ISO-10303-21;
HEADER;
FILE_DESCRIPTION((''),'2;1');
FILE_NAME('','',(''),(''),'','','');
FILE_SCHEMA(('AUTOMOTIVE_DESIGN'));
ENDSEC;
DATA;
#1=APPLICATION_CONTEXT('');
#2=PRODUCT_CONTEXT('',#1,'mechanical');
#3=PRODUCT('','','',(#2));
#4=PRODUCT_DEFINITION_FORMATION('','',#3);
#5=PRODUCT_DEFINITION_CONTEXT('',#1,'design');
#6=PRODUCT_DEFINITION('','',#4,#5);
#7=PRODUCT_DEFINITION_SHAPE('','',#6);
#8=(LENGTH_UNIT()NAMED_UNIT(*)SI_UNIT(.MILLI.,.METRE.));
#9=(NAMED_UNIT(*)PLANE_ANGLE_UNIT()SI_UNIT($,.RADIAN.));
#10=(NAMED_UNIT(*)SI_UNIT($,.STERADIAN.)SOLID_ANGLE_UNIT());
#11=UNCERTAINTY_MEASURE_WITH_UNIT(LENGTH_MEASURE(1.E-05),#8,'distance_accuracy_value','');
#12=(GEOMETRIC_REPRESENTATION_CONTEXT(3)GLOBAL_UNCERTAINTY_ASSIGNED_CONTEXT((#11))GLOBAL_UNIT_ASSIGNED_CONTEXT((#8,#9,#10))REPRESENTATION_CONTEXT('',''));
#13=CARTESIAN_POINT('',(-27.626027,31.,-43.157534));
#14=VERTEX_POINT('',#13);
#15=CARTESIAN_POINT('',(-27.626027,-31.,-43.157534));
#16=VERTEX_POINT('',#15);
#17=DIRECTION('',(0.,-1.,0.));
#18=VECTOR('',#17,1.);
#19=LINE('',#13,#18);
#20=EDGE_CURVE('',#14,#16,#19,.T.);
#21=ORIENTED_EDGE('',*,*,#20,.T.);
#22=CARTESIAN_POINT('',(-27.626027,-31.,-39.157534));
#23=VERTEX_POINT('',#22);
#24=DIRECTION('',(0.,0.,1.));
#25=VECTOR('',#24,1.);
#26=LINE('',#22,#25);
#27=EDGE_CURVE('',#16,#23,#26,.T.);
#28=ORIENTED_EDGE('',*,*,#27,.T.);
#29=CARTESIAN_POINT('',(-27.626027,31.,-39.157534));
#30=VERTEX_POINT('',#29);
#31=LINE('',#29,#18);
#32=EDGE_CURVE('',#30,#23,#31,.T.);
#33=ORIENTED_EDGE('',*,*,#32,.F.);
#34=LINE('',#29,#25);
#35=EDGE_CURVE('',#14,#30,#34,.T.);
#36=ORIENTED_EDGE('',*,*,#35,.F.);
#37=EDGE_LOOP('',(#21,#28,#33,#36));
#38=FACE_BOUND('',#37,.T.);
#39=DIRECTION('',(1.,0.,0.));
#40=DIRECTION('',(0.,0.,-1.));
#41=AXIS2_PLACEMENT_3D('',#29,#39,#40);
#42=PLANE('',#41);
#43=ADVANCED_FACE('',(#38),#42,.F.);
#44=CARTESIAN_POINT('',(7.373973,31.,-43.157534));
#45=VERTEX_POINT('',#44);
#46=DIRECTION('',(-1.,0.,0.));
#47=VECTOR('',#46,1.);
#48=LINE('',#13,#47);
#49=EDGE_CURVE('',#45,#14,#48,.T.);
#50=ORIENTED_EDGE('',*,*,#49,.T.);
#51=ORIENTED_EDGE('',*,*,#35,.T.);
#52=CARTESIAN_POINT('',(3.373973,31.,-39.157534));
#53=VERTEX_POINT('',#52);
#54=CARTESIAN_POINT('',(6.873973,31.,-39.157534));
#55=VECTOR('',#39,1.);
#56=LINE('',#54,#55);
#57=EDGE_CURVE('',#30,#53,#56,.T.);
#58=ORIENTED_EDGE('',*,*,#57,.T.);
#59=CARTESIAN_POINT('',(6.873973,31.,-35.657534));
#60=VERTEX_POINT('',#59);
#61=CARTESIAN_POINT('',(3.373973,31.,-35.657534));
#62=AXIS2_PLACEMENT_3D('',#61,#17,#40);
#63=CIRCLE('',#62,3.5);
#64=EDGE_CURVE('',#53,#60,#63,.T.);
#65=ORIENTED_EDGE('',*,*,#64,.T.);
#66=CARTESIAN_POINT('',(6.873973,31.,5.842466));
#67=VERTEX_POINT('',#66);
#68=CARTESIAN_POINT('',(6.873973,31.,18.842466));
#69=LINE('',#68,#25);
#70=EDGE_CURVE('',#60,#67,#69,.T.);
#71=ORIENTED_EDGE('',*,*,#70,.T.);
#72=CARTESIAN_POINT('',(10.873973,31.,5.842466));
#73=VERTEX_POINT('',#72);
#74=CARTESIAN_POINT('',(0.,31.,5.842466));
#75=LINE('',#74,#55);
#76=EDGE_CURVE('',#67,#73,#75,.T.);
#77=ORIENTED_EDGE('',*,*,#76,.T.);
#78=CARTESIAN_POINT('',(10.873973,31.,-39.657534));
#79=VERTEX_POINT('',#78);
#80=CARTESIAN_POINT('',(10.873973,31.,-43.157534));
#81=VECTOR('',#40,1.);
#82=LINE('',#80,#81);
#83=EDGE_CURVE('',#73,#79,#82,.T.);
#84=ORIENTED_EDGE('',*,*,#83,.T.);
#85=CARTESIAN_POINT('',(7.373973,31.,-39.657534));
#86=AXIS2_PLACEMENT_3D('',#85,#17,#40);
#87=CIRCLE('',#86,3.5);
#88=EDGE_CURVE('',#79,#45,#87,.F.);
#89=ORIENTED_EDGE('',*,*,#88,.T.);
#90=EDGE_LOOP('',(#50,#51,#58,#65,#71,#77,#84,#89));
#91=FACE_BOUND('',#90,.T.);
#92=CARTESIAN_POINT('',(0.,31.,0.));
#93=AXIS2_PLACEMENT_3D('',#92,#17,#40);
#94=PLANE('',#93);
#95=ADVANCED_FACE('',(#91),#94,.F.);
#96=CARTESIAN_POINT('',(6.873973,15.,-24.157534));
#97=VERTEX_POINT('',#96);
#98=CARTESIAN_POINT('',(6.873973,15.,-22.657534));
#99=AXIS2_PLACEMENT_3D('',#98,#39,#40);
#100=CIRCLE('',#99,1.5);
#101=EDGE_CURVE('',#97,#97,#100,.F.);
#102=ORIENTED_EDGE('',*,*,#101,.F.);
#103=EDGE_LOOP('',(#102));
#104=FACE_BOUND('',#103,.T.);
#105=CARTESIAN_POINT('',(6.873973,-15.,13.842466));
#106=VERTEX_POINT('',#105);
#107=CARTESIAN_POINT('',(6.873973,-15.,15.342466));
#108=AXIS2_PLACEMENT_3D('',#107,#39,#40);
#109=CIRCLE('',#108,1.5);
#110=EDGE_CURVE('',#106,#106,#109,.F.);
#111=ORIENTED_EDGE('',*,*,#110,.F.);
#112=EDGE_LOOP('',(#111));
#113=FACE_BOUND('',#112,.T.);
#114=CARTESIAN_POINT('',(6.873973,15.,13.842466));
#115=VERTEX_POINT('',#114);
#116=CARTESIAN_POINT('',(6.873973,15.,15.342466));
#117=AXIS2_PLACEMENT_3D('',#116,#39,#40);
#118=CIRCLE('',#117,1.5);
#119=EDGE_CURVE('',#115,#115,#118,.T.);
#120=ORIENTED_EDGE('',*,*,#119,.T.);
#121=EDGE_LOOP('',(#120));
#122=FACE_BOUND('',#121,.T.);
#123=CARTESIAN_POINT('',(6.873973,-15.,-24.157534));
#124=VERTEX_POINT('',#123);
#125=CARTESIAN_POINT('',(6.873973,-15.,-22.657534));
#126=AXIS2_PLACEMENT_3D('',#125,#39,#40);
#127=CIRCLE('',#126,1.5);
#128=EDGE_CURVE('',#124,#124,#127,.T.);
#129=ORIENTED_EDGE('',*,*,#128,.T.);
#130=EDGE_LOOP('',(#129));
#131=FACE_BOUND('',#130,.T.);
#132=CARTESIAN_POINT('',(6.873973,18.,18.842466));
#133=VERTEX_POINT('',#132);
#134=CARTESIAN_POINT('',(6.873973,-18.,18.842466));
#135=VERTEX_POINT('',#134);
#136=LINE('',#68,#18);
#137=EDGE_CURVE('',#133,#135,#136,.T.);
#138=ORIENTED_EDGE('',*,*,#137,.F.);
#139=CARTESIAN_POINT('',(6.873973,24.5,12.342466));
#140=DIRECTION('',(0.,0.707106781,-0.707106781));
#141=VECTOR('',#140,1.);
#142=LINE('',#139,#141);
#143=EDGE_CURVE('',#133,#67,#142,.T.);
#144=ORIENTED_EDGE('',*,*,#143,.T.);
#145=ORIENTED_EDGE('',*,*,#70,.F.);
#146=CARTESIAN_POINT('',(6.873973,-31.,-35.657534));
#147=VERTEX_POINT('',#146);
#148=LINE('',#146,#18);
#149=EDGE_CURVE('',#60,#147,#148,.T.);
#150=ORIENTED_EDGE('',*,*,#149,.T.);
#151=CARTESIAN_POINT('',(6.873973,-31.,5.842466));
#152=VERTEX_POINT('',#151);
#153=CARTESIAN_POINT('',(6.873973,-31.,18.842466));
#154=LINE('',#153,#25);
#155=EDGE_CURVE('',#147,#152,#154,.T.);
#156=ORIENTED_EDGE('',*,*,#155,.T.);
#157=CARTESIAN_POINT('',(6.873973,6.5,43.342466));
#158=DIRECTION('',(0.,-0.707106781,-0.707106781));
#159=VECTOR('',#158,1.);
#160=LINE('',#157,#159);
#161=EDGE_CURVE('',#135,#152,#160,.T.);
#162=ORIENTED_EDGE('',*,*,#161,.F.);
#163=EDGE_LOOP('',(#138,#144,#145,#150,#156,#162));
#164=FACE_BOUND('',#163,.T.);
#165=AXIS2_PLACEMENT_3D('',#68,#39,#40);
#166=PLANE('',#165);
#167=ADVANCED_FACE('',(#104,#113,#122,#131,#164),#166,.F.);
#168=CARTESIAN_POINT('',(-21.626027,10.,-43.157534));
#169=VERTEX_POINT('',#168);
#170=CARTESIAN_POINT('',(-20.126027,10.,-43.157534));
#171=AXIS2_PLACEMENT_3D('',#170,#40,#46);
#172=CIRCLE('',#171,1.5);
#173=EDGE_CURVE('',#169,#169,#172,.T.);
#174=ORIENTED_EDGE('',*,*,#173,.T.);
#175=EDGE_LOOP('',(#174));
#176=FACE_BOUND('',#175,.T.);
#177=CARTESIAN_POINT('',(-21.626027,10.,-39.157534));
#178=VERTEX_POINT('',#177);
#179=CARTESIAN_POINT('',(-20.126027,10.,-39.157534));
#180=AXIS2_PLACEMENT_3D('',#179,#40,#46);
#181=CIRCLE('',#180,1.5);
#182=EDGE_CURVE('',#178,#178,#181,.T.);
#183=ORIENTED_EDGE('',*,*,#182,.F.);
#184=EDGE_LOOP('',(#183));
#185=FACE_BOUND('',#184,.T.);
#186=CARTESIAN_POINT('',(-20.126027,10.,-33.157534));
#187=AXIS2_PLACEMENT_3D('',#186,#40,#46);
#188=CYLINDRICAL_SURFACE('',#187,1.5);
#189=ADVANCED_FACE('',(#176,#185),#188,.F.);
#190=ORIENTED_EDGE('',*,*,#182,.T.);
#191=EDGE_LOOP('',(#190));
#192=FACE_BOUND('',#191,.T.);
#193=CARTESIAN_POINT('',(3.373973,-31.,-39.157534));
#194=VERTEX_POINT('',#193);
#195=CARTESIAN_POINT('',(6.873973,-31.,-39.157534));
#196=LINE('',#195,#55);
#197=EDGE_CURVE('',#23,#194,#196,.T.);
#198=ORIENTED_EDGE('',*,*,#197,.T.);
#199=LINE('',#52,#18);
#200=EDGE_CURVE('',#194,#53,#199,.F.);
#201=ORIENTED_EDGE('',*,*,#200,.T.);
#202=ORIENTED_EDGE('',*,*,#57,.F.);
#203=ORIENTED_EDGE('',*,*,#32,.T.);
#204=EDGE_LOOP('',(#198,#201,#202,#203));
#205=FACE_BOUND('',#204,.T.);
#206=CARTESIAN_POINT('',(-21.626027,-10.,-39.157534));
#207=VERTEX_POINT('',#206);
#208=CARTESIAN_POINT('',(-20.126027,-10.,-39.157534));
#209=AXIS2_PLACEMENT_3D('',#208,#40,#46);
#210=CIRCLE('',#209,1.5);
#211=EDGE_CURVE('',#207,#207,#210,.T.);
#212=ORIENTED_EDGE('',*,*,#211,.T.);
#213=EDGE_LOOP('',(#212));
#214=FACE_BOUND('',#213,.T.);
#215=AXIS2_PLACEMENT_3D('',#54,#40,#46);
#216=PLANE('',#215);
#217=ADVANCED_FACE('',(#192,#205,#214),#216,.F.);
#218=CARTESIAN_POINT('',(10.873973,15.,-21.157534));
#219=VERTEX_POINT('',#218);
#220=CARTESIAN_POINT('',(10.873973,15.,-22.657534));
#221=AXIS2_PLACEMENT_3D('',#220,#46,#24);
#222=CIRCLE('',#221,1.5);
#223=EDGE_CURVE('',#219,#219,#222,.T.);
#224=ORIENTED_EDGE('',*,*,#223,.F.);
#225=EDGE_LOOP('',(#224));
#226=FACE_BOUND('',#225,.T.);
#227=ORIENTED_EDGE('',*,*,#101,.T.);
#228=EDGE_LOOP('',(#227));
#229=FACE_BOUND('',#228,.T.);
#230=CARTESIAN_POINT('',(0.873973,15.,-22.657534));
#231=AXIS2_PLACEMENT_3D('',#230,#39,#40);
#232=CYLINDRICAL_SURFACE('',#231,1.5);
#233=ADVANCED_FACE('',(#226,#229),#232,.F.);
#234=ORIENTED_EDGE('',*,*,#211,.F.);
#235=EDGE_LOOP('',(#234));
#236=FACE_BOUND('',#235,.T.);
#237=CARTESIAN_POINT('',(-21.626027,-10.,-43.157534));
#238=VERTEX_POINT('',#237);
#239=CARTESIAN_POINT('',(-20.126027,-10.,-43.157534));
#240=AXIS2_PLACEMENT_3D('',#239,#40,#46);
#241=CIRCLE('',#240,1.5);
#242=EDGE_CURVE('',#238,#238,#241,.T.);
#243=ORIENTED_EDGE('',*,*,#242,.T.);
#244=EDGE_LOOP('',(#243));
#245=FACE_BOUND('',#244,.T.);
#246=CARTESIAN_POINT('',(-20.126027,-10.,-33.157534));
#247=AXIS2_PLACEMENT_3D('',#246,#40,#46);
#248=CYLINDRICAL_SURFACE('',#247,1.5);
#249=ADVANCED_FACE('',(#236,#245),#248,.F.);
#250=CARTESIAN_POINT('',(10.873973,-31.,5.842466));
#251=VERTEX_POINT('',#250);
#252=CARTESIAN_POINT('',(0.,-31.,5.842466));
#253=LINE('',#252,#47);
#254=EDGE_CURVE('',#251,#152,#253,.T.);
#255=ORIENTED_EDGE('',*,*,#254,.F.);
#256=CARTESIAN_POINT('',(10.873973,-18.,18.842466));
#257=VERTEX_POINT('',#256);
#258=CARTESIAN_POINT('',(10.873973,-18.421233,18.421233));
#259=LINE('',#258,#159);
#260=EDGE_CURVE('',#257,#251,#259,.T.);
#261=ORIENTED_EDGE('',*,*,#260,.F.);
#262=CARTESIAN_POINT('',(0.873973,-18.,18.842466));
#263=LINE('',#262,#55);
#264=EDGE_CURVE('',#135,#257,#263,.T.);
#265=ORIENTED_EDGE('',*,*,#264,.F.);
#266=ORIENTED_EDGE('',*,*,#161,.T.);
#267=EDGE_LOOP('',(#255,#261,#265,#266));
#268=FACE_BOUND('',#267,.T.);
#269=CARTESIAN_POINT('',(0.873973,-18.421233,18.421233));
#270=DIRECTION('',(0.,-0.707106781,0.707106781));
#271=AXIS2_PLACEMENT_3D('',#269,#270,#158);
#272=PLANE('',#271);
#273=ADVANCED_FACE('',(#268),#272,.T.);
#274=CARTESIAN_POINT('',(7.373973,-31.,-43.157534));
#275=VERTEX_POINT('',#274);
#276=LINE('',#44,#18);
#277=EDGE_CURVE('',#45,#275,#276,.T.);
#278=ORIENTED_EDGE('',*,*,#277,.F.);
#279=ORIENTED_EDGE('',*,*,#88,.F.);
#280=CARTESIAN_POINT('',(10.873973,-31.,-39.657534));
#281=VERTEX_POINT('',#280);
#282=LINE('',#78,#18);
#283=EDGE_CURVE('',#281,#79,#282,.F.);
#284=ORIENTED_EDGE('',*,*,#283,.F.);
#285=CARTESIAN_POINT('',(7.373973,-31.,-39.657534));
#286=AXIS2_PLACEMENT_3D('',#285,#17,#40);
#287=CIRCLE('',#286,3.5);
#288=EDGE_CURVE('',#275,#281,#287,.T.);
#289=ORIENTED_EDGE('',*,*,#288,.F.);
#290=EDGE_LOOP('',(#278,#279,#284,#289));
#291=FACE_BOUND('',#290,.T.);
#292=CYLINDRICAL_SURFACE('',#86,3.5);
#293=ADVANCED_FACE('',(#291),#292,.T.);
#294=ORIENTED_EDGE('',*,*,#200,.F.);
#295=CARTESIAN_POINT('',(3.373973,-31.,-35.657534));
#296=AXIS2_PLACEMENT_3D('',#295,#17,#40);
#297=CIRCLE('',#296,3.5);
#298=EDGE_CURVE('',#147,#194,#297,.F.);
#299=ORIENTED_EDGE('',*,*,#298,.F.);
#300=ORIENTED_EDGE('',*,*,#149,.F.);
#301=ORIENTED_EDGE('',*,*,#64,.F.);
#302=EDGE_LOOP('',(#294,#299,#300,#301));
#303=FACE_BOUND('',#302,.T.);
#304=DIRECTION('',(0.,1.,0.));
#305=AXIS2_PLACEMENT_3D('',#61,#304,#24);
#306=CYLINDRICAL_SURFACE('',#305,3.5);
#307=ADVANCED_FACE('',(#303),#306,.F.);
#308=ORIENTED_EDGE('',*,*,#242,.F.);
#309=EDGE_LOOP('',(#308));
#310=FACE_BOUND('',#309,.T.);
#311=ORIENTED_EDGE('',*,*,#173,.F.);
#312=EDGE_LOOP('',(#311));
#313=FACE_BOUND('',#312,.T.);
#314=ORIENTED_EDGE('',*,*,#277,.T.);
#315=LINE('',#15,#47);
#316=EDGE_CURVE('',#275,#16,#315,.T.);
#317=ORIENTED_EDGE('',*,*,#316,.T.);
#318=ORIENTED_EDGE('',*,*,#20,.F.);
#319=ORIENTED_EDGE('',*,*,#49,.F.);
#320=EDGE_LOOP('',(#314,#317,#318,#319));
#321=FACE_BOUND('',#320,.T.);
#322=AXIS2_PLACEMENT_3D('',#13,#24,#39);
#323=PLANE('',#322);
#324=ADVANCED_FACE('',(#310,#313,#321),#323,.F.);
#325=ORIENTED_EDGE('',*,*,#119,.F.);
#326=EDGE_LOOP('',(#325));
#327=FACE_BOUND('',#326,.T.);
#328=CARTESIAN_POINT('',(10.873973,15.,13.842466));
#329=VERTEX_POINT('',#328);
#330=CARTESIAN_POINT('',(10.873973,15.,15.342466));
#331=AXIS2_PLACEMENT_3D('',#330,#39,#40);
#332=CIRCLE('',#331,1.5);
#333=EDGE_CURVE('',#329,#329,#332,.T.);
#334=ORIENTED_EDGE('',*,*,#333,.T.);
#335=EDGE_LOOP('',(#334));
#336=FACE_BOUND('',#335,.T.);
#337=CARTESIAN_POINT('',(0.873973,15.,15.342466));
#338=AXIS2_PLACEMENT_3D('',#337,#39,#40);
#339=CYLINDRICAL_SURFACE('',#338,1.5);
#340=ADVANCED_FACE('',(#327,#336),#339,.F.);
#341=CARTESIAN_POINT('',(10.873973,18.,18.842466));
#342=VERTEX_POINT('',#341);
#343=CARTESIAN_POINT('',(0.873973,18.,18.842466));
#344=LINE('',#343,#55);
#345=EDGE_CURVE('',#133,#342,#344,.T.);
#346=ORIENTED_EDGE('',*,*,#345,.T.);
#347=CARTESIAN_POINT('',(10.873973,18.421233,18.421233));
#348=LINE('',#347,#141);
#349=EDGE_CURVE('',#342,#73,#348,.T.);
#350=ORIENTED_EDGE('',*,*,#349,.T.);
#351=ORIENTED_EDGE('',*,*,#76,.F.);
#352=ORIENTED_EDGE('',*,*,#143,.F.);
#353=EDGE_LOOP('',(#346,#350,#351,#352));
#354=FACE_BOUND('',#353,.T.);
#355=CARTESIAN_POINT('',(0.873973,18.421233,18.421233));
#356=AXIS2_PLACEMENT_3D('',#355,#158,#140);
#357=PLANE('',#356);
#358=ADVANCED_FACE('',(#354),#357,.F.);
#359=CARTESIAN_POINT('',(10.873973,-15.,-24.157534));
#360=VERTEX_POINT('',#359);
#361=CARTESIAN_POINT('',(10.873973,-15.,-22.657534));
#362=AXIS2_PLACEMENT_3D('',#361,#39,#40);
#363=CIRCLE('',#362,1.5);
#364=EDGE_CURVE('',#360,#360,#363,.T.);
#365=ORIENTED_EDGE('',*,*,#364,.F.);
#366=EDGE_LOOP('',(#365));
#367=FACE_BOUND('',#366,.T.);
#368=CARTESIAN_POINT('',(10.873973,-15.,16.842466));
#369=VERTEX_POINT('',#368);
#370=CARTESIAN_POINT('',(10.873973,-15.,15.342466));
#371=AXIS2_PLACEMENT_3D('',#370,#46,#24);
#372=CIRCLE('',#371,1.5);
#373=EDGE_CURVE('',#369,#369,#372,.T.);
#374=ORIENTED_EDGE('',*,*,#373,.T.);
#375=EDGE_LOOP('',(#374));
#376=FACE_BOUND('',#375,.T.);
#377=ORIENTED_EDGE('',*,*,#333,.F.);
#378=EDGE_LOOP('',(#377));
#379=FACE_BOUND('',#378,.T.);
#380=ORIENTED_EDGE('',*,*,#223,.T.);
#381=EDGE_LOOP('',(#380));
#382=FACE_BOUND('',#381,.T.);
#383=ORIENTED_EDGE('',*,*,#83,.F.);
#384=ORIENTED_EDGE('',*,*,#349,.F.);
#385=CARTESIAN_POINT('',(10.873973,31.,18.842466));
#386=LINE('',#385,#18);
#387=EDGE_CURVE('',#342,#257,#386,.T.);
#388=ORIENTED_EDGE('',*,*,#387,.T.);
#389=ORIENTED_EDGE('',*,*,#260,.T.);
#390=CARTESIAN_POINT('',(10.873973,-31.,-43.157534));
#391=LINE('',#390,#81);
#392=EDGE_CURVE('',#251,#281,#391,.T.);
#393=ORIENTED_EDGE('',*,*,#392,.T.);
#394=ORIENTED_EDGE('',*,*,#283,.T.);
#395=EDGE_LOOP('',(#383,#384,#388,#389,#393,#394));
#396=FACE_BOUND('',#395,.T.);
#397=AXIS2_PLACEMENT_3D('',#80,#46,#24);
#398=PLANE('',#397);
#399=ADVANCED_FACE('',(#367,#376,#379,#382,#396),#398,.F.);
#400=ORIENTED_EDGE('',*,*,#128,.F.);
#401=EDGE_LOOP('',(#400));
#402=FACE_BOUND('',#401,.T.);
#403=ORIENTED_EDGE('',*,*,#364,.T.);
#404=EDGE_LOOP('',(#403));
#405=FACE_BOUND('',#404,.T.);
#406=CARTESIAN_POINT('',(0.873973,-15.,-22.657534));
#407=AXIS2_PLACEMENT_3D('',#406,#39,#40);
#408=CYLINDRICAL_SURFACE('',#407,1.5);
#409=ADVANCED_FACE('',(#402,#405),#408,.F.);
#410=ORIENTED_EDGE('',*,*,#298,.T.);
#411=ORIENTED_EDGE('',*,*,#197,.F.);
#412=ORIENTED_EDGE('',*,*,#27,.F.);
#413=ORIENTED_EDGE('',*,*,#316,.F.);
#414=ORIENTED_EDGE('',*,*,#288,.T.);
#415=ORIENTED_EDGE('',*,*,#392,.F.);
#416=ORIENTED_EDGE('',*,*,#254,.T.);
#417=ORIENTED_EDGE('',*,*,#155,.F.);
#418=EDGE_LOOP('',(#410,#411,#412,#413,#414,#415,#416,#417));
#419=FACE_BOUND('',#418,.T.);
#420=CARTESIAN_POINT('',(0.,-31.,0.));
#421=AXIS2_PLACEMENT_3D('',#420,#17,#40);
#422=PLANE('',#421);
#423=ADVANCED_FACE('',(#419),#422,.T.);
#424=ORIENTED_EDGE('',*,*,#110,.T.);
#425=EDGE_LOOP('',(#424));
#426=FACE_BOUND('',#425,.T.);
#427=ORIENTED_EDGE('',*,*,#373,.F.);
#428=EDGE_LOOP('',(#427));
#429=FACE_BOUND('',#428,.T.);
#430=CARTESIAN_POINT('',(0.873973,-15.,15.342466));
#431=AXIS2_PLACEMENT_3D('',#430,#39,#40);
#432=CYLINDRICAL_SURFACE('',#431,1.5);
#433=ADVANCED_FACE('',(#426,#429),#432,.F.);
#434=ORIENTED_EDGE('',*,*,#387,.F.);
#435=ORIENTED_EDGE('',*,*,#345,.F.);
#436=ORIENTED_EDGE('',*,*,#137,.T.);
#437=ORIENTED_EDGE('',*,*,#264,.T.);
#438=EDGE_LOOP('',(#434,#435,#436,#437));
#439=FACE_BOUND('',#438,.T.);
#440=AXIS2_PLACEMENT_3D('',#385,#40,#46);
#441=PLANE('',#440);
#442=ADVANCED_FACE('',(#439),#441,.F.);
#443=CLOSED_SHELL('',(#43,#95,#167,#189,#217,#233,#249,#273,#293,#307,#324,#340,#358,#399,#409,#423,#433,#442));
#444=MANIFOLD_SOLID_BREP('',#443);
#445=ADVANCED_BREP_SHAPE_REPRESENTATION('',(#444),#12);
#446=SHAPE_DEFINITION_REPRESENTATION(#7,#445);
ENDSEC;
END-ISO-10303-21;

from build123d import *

# Parameters (mm, degrees)
EXTRUDE_1_DEPTH     = 31
SKETCH_2_R          = 1.5
CUT_EXTRUDE_2_DEPTH = 10
FILLET_1_R          = 3.5
FILLET_2_R          = 3.5
SKETCH_7_R          = 1.5
CUT_EXTRUDE_4_DEPTH = 10


with BuildPart() as part:
    # 草图1 → 凸台-拉伸1 (new, symmetric)
    with BuildSketch(Plane(origin=(0, 0, 0), x_dir=(1, 0, 0), z_dir=(0, 1, 0))):
        Polygon((-27.626027397, 43.157534247), (10.873972603, 43.157534247), (10.873972603, -18.842465753), (6.873972603, -18.842465753), (6.873972603, 39.157534247), (-27.626027397, 39.157534247), align=None)
    extrude(amount=EXTRUDE_1_DEPTH, both=True)

    # 草图2 → 切除-拉伸2 (cut)
    with BuildSketch(Plane(origin=(10.873972603, 0, 0), x_dir=(0, 0, -1), z_dir=(1, 0, 0))):
        Polygon((-5.842465753, 31), (-18.842465753, 31), (-18.842465753, 18), align=None)
        with Locations((22.657534247, -15)):
            Circle(SKETCH_2_R)
        Polygon((-5.842465753, -31), (-18.842465753, -18), (-18.842465753, -31), align=None)
        with Locations((22.657534247, 15)):
            Circle(SKETCH_2_R)
        with Locations((-15.342465753, 15)):
            Circle(SKETCH_2_R)
        with Locations((-15.342465753, -15)):
            Circle(SKETCH_2_R)
    extrude(amount=-CUT_EXTRUDE_2_DEPTH, mode=Mode.SUBTRACT)

    # 圆角1
    fillet_1_edges = [part.edges().sort_by_distance(p)[0] for p in [
        (10.873972603, 0, -43.157534247),
    ]]
    fillet(fillet_1_edges, radius=FILLET_1_R)

    # 圆角2
    fillet_2_edges = [part.edges().sort_by_distance(p)[0] for p in [
        (6.873972603, 0, -39.157534247),
    ]]
    fillet(fillet_2_edges, radius=FILLET_2_R)

    # 草图7 → 切除-拉伸4 (cut)
    with BuildSketch(Plane(origin=(0, 0, -43.157534247), x_dir=(-1, 0, 0), z_dir=(0, 0, -1))):
        with Locations((20.126027397, 10)):
            Circle(SKETCH_7_R)
        with Locations((20.126027397, -10)):
            Circle(SKETCH_7_R)
    extrude(amount=-CUT_EXTRUDE_4_DEPTH, mode=Mode.SUBTRACT)


solid = part.part
